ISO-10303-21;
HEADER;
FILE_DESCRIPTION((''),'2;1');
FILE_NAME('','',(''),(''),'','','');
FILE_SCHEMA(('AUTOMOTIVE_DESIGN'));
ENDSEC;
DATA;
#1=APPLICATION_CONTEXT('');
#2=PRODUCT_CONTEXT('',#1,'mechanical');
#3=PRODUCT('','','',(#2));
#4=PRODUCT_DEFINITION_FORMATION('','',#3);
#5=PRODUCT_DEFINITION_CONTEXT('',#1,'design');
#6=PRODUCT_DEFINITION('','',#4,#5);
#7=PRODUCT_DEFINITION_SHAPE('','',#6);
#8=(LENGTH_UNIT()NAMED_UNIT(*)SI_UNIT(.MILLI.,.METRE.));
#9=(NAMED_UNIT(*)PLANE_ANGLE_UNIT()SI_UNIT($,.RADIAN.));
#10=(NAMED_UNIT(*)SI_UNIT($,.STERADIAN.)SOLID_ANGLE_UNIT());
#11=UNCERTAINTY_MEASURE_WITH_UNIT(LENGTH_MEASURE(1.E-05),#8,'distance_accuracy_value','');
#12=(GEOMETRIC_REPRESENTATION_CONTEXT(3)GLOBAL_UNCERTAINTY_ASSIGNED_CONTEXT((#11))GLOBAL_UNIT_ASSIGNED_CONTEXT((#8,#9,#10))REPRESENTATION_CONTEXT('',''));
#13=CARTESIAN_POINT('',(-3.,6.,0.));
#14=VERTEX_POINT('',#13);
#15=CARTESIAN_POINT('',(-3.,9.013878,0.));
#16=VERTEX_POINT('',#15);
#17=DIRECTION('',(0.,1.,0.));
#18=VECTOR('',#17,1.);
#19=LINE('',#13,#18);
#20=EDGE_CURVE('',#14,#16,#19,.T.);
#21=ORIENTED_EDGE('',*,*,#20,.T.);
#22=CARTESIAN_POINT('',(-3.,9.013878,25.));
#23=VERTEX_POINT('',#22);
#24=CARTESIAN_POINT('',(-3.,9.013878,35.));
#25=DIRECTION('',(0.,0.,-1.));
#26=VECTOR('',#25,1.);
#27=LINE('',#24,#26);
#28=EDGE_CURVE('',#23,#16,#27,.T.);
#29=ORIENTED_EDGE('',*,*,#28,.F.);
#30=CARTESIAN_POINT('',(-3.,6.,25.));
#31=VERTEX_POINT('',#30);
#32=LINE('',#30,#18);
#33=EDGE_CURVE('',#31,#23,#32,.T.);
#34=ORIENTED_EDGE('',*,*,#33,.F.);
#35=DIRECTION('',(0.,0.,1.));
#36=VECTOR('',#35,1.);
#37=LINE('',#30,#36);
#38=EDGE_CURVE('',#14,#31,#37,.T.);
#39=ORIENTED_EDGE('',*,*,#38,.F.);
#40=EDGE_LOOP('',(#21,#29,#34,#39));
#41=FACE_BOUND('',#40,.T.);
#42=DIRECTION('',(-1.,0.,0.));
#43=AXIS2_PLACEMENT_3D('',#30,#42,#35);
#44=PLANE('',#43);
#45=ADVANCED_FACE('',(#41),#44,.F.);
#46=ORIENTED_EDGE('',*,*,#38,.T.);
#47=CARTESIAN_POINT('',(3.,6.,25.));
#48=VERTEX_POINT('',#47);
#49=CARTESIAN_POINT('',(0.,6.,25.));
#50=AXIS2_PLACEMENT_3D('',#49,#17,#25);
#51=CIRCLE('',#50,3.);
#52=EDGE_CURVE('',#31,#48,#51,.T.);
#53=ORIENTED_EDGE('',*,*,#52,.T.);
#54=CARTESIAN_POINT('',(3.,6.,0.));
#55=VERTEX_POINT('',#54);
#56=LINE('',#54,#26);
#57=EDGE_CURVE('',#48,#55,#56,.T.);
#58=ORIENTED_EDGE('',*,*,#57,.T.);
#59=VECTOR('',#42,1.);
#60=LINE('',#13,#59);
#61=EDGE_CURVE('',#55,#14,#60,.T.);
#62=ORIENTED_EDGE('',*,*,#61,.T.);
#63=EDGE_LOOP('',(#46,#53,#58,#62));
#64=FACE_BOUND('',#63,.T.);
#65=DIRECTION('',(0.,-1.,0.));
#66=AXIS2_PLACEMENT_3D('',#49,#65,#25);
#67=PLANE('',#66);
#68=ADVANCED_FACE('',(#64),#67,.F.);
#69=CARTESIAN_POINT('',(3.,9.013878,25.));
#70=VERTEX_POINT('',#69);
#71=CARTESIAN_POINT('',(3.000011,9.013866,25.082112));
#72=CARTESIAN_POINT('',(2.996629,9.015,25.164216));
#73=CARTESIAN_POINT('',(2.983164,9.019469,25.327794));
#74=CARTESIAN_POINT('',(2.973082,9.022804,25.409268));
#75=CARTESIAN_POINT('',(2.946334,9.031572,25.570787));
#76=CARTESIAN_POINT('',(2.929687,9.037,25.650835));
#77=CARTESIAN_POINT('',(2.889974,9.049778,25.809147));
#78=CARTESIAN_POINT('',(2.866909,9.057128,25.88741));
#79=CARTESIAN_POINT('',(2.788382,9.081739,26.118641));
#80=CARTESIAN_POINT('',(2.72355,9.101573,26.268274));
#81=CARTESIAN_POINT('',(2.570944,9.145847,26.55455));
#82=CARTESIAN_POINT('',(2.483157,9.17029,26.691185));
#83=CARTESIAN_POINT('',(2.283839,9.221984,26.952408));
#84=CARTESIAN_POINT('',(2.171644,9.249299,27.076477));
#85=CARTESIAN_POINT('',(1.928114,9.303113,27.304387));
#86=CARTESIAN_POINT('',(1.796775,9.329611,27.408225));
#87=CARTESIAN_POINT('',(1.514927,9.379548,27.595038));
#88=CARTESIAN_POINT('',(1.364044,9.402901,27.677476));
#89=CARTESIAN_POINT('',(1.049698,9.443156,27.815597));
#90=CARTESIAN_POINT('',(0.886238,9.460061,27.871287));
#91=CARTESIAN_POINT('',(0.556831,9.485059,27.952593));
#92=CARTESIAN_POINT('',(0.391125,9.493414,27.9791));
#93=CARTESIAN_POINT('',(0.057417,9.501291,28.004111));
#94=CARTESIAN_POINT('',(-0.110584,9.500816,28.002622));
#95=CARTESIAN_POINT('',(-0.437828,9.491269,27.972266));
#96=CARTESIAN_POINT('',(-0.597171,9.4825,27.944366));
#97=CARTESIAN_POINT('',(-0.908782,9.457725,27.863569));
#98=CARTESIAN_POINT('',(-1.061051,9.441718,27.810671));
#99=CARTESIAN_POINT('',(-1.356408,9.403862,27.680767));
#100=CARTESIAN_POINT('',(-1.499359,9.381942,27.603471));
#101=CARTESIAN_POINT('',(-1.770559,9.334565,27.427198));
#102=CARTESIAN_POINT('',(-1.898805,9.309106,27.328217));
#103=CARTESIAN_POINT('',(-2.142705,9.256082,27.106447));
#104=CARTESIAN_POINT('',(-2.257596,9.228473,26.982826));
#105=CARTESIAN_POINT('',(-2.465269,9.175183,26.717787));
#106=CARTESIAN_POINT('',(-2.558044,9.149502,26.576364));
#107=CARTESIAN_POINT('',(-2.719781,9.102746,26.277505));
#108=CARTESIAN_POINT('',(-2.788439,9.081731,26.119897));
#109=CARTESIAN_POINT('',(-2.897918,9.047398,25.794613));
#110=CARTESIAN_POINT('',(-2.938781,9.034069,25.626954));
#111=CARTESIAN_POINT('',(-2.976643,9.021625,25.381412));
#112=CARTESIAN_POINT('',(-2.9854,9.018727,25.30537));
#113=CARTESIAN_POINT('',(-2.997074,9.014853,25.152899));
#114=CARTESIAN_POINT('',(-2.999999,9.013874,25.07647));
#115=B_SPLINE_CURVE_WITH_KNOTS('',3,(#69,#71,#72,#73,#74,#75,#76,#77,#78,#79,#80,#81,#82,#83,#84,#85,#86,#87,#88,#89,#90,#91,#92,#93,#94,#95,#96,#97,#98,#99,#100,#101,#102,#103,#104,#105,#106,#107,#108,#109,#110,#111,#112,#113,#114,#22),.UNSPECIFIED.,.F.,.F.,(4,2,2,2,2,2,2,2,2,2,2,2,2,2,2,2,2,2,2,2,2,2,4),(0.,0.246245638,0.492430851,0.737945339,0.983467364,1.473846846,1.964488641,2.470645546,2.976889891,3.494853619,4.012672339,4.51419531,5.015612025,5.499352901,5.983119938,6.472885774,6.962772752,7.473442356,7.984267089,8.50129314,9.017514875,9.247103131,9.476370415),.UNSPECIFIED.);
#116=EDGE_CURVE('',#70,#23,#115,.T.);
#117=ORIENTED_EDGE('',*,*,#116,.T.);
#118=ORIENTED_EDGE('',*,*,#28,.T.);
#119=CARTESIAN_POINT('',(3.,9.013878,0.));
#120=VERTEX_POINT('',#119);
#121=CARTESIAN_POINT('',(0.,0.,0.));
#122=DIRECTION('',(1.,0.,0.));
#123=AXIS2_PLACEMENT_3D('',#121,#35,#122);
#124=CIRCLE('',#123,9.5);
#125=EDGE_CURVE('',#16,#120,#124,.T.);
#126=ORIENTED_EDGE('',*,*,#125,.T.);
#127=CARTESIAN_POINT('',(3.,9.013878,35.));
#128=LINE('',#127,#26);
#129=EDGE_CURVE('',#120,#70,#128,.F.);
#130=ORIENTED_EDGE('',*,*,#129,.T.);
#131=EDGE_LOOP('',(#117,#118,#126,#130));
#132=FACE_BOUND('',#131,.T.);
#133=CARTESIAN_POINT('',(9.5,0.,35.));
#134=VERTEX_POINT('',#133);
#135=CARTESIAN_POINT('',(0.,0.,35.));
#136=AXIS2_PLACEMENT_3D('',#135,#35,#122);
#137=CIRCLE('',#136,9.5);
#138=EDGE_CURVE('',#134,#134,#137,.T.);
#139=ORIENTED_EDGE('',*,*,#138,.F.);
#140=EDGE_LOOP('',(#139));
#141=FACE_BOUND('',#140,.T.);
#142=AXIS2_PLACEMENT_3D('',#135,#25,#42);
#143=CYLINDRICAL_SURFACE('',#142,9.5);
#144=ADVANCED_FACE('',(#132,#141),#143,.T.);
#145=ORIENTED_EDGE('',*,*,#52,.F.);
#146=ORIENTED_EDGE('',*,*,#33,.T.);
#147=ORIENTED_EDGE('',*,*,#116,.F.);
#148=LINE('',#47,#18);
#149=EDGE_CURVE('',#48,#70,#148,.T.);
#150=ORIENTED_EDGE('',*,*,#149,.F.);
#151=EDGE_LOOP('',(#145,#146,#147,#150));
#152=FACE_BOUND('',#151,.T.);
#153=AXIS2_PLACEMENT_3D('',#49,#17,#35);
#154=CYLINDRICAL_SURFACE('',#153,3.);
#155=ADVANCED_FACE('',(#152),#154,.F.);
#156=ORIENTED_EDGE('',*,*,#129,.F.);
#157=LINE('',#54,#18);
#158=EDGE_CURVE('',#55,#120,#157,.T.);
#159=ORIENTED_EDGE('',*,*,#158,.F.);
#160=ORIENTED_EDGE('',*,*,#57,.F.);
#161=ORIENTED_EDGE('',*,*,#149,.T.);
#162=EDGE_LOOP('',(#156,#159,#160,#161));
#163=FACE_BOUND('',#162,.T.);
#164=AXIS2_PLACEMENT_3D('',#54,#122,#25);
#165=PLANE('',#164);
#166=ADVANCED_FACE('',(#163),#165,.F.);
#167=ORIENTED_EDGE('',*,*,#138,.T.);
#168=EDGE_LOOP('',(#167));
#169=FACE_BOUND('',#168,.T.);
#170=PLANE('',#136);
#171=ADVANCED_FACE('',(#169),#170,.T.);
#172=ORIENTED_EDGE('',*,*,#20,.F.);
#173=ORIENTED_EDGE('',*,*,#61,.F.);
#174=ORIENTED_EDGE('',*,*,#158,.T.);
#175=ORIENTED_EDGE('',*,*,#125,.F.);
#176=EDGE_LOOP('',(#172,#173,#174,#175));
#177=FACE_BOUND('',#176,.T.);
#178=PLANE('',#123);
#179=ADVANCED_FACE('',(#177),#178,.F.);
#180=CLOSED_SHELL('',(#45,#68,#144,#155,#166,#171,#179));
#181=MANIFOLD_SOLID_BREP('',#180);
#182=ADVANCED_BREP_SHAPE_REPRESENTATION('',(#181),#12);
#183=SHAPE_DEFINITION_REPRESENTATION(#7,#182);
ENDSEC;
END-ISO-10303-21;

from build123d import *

# Parameters (mm, degrees)
SKETCH1_R           = 9.5
BOSS_EXTRUDE1_DEPTH = 35
CUT_EXTRUDE1_DEPTH  = 4


with BuildPart() as part:
    # Sketch1 → Boss-Extrude1 (new body)
    with BuildSketch(Plane.XY):
        Circle(SKETCH1_R)
    extrude(amount=BOSS_EXTRUDE1_DEPTH)

    # Sketch4 → Cut-Extrude1 (cut)
    with BuildSketch(Plane(origin=(0, 10, 0), x_dir=(1, 0, 0), z_dir=(0, 1, 0))):
        with BuildLine():
            Line((3, 0), (3, -25))
            ThreePointArc((3, -25), (0, -28), (-3, -25))
            Line((-3, -25), (-3, 0))
            Line((-3, 0), (3, 0))
        make_face()
    extrude(amount=-CUT_EXTRUDE1_DEPTH, mode=Mode.SUBTRACT)


solid = part.part
